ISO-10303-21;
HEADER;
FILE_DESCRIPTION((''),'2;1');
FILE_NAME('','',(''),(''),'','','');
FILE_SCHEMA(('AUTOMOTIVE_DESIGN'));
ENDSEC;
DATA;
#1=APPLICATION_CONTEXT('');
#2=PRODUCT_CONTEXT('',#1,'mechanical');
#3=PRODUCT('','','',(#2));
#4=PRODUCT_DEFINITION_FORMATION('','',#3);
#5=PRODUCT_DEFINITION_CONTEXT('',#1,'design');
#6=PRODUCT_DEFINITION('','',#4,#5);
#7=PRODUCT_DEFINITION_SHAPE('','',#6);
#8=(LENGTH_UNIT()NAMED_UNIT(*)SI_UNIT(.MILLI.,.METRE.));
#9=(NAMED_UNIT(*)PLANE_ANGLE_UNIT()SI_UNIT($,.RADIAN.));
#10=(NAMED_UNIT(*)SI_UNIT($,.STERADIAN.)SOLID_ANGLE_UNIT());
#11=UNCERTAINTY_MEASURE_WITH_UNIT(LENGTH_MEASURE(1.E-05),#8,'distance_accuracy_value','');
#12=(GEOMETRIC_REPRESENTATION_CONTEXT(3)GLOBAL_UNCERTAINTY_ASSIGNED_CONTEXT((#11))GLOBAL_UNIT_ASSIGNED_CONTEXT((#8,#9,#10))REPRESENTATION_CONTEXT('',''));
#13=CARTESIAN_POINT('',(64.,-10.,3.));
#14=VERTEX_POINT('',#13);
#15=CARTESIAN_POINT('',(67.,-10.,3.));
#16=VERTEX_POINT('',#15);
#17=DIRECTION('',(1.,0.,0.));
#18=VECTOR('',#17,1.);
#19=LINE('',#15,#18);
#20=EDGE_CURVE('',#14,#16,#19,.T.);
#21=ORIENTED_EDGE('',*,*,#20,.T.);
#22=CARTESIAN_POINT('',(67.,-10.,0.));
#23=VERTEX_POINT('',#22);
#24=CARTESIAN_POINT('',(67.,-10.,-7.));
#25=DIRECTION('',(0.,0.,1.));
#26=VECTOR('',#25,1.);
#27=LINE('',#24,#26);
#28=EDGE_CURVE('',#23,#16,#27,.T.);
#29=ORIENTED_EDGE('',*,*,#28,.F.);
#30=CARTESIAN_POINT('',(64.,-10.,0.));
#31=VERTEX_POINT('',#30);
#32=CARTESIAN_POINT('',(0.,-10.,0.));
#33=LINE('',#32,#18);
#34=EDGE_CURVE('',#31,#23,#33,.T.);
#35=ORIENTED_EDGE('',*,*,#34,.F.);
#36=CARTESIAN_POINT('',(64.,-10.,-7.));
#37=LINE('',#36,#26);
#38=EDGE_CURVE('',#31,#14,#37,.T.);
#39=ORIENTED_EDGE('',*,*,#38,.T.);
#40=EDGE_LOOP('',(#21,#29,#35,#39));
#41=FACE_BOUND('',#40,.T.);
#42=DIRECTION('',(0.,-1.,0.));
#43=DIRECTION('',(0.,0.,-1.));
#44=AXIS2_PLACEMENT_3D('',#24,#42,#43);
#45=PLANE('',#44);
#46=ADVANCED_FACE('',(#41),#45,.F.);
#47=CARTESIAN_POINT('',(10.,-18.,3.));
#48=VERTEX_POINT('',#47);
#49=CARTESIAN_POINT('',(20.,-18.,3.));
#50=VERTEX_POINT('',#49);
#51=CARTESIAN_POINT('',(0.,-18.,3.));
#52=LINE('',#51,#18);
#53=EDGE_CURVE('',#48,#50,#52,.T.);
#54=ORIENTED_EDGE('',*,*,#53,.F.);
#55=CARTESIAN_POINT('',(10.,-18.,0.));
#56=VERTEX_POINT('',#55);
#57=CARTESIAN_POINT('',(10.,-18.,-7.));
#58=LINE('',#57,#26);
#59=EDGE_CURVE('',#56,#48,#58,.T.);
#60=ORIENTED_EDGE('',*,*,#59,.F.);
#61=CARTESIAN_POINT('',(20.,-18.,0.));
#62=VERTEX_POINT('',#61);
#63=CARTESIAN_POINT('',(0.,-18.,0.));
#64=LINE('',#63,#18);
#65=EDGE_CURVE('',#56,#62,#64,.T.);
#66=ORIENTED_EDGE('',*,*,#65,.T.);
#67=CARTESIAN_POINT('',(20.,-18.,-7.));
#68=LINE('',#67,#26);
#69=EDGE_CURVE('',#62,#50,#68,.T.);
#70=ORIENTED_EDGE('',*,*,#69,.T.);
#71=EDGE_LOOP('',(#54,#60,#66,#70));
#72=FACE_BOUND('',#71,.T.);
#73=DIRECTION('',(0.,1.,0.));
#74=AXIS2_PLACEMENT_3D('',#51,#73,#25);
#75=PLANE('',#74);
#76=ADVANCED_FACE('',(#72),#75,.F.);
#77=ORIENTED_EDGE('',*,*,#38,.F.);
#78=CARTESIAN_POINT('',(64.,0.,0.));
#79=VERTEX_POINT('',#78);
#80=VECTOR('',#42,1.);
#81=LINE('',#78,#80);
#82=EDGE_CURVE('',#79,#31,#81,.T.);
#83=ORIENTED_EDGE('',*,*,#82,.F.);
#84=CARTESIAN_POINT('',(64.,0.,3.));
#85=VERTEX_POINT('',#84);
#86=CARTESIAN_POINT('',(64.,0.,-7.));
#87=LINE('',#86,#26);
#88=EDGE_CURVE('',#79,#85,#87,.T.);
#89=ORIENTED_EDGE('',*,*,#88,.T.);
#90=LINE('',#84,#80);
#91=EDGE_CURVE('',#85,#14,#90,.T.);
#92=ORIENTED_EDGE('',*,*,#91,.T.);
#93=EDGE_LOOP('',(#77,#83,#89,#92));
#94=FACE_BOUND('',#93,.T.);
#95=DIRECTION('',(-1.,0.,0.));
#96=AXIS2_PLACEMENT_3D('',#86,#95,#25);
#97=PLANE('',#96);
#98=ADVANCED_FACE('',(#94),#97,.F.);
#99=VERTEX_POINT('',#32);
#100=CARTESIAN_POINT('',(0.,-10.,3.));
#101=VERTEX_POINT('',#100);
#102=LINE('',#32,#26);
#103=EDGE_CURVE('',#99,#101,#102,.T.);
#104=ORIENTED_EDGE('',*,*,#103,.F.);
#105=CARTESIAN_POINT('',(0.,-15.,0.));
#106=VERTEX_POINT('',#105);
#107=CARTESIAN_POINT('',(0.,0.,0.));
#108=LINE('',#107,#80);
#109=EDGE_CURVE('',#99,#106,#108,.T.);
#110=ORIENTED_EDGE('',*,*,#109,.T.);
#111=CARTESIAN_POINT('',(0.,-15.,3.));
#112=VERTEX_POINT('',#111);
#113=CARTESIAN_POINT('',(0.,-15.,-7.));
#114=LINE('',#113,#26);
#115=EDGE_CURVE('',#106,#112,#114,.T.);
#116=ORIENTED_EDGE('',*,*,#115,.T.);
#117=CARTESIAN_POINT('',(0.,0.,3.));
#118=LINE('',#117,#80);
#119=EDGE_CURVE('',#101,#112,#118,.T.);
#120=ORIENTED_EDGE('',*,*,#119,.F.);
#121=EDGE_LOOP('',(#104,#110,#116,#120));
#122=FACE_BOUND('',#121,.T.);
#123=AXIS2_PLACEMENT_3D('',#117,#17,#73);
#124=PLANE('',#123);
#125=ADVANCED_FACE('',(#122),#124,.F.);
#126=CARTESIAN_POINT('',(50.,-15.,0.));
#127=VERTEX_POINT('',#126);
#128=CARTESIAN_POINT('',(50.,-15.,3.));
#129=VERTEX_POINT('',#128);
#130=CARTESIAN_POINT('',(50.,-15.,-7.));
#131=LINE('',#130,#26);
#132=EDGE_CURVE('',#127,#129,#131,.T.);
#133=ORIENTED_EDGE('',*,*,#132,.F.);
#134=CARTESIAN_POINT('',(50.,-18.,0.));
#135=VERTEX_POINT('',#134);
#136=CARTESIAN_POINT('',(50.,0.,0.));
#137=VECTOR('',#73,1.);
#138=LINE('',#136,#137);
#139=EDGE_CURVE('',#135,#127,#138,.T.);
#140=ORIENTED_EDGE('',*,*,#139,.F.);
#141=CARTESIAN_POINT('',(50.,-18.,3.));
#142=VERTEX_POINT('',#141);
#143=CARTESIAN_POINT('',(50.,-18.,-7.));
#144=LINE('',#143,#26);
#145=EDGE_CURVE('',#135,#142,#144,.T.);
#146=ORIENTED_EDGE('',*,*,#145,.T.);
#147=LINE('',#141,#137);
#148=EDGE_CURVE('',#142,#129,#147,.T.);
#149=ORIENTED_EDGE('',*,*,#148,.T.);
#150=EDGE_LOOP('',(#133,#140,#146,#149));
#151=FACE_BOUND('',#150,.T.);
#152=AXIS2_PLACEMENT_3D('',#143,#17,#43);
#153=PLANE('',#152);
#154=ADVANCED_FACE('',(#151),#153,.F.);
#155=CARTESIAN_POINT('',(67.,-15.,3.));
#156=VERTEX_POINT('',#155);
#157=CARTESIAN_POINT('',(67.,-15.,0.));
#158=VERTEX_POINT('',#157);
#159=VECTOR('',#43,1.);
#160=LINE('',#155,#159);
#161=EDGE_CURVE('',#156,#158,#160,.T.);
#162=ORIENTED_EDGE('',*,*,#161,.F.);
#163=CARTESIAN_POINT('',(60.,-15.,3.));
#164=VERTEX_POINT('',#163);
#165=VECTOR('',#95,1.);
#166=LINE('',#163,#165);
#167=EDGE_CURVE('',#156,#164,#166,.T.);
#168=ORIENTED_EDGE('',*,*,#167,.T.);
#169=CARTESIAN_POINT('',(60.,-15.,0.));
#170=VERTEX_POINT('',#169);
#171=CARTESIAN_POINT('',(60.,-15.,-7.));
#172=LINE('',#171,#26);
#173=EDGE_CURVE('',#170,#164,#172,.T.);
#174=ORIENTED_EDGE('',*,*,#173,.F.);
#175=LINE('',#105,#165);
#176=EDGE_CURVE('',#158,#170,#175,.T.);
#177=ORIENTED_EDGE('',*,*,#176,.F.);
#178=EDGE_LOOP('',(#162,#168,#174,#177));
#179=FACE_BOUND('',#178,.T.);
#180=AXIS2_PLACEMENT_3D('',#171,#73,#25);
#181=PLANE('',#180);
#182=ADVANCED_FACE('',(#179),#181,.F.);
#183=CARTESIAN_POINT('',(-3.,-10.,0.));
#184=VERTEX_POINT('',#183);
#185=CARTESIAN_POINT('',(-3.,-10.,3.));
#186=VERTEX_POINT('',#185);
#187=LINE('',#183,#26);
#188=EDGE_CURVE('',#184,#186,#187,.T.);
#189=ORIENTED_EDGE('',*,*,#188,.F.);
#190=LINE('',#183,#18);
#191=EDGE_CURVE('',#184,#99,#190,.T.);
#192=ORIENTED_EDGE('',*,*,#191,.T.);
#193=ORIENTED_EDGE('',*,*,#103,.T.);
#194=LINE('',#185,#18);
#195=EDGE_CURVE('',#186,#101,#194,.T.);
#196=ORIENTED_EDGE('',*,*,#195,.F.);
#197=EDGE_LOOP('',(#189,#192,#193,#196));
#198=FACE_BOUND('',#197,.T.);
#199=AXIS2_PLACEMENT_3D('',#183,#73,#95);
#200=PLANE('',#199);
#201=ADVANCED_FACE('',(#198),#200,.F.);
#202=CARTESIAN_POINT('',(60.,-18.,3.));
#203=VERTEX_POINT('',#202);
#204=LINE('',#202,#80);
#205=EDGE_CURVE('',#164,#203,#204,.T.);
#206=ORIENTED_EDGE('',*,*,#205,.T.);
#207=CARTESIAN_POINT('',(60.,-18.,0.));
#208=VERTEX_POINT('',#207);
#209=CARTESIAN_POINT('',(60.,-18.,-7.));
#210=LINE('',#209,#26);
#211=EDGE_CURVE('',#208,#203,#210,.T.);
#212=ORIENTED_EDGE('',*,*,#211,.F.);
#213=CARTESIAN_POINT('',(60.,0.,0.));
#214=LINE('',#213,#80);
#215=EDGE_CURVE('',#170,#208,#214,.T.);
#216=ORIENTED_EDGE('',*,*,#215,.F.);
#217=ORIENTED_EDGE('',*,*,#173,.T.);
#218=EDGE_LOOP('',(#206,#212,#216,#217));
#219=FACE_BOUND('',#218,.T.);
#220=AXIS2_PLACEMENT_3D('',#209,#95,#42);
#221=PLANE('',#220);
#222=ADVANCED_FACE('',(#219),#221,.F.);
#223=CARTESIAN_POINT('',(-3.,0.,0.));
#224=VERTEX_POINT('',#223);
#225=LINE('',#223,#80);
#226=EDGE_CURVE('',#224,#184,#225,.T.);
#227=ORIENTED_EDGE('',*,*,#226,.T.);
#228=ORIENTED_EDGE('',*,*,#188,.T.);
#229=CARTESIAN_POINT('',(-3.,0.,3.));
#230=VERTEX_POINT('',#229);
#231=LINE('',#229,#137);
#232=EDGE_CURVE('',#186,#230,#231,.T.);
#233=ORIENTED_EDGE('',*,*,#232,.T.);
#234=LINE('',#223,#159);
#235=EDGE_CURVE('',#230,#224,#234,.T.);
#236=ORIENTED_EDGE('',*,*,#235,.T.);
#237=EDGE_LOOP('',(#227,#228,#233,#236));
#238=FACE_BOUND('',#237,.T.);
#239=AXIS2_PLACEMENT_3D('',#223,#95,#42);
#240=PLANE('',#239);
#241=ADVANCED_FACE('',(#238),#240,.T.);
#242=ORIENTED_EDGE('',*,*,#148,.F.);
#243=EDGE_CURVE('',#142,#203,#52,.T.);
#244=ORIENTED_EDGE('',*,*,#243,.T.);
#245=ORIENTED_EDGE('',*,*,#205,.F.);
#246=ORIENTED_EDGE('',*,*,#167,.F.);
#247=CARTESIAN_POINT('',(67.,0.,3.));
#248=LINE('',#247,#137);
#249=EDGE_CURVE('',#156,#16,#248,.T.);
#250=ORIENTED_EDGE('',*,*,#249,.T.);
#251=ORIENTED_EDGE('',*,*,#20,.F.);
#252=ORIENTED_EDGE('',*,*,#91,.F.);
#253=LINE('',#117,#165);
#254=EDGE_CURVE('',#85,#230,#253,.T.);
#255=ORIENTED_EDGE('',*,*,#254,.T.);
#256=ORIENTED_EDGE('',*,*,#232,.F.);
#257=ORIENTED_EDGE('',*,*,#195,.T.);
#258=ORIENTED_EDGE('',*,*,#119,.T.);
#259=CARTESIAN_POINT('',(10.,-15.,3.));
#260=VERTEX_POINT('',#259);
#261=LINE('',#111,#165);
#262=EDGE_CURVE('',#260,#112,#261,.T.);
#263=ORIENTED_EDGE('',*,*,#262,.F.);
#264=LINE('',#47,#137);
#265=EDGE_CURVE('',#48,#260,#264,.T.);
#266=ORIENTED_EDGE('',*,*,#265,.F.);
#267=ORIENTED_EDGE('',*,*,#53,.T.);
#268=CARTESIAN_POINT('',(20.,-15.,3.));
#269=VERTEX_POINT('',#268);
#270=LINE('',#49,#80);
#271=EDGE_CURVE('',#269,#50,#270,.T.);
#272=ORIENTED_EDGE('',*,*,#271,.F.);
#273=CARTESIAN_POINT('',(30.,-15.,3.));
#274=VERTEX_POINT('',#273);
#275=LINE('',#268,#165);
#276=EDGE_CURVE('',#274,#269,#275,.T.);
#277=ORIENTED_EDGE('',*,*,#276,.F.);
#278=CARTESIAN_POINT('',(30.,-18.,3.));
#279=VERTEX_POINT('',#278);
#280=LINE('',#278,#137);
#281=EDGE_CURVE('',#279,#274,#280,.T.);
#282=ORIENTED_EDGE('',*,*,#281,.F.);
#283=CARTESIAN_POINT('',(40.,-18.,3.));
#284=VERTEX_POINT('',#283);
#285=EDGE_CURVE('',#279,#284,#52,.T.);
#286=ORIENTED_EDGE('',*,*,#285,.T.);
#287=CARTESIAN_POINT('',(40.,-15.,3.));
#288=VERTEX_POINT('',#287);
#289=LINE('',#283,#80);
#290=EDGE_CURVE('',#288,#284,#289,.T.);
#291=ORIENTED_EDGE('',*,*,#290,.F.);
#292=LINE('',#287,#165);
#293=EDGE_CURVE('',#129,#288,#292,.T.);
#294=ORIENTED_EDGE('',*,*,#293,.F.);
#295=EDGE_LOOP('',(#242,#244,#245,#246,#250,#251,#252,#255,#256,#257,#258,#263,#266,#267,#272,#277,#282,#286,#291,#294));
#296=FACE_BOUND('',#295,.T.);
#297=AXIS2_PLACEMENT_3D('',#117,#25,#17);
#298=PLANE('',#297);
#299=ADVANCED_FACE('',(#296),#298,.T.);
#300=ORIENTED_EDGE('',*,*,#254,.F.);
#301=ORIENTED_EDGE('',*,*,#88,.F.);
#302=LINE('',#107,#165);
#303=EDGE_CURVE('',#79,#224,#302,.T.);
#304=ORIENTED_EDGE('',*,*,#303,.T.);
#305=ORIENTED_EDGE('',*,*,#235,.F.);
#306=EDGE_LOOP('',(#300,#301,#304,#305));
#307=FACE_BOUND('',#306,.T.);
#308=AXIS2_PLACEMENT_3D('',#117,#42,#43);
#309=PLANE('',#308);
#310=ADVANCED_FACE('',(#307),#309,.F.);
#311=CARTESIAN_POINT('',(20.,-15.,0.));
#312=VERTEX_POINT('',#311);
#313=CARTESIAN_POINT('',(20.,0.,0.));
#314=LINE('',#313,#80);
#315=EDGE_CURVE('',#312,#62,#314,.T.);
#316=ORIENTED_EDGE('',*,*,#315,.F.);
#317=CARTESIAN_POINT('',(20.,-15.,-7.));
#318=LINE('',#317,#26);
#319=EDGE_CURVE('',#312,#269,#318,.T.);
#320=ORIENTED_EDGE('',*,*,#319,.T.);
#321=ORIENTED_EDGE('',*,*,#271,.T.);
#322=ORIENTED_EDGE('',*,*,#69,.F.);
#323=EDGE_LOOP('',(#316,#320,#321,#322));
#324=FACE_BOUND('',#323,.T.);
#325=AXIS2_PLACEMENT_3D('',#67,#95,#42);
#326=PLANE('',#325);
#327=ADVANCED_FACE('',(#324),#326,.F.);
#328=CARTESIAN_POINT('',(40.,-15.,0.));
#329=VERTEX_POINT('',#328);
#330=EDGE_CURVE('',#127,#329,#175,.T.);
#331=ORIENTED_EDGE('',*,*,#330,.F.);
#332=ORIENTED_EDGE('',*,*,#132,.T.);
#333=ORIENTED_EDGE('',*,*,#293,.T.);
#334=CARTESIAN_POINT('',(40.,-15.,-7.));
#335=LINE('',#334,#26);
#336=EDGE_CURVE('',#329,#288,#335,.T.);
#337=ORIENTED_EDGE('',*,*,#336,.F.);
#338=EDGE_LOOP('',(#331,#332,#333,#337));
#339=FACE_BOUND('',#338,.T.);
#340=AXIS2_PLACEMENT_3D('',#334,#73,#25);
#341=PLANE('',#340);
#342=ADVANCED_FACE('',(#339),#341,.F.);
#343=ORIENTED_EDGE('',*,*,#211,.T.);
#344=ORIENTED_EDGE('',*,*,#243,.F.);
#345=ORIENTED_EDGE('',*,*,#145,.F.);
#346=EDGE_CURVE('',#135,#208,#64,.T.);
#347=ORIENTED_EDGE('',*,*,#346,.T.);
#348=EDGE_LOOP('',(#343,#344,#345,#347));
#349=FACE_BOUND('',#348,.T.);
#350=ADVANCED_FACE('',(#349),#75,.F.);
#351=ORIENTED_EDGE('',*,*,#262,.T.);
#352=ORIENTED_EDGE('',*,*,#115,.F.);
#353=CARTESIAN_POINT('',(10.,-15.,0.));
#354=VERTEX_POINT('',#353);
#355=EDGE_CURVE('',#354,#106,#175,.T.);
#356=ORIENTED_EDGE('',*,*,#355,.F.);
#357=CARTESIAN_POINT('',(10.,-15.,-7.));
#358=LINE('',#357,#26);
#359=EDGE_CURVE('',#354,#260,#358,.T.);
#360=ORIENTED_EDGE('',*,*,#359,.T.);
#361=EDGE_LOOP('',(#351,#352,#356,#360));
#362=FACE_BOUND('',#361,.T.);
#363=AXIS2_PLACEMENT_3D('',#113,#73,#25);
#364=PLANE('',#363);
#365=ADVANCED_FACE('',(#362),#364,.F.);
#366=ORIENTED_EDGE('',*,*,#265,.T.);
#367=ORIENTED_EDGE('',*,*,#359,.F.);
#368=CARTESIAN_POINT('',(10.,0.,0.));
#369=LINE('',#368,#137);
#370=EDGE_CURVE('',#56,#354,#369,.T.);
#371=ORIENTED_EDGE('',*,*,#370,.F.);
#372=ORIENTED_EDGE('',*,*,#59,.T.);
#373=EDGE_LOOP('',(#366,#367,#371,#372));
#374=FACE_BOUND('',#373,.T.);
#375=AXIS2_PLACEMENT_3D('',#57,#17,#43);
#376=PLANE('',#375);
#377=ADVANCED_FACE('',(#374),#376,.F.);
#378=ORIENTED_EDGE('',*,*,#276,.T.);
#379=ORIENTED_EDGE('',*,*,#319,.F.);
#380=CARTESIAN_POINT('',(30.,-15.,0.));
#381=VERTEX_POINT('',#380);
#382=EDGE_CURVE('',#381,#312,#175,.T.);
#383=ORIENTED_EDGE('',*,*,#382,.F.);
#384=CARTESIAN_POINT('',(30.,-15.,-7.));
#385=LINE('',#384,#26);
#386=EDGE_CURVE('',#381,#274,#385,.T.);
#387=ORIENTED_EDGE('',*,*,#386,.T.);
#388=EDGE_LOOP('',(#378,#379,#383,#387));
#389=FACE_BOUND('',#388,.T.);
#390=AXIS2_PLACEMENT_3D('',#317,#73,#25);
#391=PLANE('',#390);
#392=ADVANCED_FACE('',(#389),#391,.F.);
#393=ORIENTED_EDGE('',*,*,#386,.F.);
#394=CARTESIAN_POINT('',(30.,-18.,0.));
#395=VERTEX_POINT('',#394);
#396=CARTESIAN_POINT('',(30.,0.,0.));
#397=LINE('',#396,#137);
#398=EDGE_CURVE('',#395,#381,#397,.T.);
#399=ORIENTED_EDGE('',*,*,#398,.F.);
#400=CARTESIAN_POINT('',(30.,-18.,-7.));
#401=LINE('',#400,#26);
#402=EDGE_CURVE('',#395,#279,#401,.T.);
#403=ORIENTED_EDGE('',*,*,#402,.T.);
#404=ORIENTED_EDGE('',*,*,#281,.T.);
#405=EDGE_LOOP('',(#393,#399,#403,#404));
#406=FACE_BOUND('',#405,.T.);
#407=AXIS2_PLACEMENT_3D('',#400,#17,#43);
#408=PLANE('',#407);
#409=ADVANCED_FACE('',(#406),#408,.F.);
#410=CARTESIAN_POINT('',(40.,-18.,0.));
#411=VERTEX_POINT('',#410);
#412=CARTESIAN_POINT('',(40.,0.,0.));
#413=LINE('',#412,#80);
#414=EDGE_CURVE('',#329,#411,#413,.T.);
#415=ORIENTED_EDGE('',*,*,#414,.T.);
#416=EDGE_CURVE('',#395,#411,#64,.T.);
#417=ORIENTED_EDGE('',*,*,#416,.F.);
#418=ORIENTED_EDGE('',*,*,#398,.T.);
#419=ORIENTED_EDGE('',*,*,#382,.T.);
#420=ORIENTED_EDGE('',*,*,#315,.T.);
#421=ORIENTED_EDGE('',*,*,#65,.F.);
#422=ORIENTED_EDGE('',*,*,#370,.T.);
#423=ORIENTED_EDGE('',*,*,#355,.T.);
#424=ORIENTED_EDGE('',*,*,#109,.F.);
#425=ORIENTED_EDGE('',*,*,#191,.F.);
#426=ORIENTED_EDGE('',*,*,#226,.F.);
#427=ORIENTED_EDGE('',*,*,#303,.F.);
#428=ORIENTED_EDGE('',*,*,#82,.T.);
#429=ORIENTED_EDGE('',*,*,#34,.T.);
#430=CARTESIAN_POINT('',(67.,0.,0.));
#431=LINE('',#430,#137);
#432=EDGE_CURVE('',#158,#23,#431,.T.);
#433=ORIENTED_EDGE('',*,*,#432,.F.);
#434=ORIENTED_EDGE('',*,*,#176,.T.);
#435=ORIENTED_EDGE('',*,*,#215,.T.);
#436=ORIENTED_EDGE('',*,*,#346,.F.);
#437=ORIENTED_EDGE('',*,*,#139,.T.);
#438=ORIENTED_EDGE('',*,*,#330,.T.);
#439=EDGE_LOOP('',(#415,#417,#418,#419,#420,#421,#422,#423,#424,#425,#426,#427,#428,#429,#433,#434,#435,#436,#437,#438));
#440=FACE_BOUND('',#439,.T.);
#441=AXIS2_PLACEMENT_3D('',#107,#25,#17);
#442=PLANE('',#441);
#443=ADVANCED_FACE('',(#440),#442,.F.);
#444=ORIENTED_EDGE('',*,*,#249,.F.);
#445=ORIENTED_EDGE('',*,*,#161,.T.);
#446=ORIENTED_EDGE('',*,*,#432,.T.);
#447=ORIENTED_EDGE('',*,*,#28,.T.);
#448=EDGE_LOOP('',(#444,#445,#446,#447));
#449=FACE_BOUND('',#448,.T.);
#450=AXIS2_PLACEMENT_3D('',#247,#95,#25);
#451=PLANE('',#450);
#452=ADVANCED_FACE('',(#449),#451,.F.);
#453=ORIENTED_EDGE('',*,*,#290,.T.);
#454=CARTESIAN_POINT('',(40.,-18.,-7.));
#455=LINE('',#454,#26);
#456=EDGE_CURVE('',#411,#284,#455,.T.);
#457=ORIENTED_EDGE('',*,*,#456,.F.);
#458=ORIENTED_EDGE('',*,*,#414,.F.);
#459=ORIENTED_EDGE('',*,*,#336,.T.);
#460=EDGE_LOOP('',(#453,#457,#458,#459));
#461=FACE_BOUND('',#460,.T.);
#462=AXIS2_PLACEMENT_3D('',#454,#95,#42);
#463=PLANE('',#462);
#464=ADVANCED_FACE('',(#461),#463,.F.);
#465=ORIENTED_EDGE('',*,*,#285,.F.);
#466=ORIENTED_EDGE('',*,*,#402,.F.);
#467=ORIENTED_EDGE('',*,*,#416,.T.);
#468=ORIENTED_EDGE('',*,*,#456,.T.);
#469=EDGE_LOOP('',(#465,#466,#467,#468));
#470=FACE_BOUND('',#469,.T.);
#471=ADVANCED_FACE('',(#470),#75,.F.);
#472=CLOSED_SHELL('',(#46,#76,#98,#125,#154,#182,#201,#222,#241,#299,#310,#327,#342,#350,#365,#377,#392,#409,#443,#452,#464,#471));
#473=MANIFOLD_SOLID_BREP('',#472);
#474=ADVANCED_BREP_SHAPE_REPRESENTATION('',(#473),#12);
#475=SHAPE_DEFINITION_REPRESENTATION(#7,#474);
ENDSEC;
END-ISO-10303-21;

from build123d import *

# Parameters (mm, degrees)
ESQUISSE1_W                = 67
ESQUISSE1_H                = 18
BOSS_EXTRU_1_DEPTH         = 3
ESQUISSE2_W                = 10
ESQUISSE2_H                = 3
ENL_V_MAT_EXTRU_1_DEPTH    = 10
R_P_TITION_LIN_AIRE1_COUNT = 4
R_P_TITION_LIN_AIRE1_PITCH = 20
ESQUISSE3_W                = 3
ESQUISSE3_H                = 10
ENL_V_MAT_EXTRU_2_DEPTH    = 10
ESQUISSE4_W                = 3
ESQUISSE4_H                = 10
BOSS_EXTRU_2_DEPTH         = 3


with BuildPart() as part:
    # Esquisse1 → Boss.-Extru.1 (new body)
    with BuildSketch(Plane.XY):
        with Locations((33.5, -9)):
            Rectangle(ESQUISSE1_W, ESQUISSE1_H)
    extrude(amount=BOSS_EXTRU_1_DEPTH)

    # Esquisse2 → Enlèv. mat.-Extru.1 (cut)
    with BuildSketch(Plane.XY.offset(3)):
        with Locations((5, -16.5)):
            Rectangle(ESQUISSE2_W, ESQUISSE2_H)
    enl_v_mat_extru_1 = extrude(amount=-ENL_V_MAT_EXTRU_1_DEPTH, mode=Mode.SUBTRACT)

    # Répétition linéaire1: Enlèv. mat.-Extru.1 ×4
    with Locations(*[(i * R_P_TITION_LIN_AIRE1_PITCH, 0, 0) for i in range(1, R_P_TITION_LIN_AIRE1_COUNT)]):
        add(enl_v_mat_extru_1, mode=Mode.SUBTRACT)

    # Esquisse3 → Enlèv. mat.-Extru.2 (cut)
    with BuildSketch(Plane.XY.offset(3)):
        with Locations((65.5, -5)):
            Rectangle(ESQUISSE3_W, ESQUISSE3_H)
    extrude(amount=-ENL_V_MAT_EXTRU_2_DEPTH, mode=Mode.SUBTRACT)

    # Esquisse4 → Boss.-Extru.2 (add)
    with BuildSketch(Plane.ZY):
        with Locations((1.5, -5)):
            Rectangle(ESQUISSE4_W, ESQUISSE4_H)
    extrude(amount=BOSS_EXTRU_2_DEPTH)


solid = part.part
